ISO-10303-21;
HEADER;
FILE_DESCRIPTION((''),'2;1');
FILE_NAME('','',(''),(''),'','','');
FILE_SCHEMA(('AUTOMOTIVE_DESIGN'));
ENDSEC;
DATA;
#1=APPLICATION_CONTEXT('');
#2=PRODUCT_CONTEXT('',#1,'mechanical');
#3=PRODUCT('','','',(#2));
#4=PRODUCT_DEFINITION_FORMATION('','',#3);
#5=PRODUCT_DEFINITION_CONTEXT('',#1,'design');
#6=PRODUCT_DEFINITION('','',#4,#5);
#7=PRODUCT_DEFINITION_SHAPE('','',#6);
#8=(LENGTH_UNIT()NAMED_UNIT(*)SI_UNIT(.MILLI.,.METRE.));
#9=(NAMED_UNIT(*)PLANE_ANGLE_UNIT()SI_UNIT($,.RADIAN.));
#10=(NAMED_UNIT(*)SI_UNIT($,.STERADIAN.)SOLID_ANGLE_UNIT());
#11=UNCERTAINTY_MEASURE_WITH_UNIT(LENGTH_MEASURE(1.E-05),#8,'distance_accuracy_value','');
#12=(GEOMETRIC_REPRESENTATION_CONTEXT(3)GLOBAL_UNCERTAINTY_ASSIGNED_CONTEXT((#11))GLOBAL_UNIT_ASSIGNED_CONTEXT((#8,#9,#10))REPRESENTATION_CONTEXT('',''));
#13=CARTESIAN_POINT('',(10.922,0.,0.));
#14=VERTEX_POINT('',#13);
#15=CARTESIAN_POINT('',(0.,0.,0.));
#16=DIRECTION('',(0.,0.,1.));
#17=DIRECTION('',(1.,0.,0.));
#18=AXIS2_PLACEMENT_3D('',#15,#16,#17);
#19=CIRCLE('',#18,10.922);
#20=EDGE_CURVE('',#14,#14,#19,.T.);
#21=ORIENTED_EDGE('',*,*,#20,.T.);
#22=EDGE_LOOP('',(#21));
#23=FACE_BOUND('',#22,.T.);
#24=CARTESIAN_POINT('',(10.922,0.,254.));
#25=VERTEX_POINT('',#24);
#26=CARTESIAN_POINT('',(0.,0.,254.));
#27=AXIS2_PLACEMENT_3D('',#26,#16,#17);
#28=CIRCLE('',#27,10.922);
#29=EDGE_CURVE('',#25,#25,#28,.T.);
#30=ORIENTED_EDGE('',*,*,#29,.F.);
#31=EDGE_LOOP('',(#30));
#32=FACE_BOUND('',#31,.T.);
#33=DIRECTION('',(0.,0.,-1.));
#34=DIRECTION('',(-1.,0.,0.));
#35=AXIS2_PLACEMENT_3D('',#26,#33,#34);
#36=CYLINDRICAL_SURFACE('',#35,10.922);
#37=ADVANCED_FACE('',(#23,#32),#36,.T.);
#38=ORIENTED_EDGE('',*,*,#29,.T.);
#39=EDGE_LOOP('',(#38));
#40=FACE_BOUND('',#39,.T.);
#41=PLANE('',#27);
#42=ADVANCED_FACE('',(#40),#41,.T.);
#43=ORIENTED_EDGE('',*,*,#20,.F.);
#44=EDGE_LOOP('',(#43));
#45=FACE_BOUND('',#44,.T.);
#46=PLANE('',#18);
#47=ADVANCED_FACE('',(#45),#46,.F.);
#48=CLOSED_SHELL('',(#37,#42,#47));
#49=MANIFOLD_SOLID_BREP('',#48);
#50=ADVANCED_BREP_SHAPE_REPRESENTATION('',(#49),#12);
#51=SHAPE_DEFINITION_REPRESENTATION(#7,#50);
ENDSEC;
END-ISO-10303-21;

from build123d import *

# Parameters (mm, degrees)
SKETCH1_R           = 10.922
BOSS_EXTRUDE1_DEPTH = 254


with BuildPart() as part:
    # Sketch1 → Boss-Extrude1 (new body)
    with BuildSketch(Plane.XY):
        Circle(SKETCH1_R)
    extrude(amount=BOSS_EXTRUDE1_DEPTH)


solid = part.part
